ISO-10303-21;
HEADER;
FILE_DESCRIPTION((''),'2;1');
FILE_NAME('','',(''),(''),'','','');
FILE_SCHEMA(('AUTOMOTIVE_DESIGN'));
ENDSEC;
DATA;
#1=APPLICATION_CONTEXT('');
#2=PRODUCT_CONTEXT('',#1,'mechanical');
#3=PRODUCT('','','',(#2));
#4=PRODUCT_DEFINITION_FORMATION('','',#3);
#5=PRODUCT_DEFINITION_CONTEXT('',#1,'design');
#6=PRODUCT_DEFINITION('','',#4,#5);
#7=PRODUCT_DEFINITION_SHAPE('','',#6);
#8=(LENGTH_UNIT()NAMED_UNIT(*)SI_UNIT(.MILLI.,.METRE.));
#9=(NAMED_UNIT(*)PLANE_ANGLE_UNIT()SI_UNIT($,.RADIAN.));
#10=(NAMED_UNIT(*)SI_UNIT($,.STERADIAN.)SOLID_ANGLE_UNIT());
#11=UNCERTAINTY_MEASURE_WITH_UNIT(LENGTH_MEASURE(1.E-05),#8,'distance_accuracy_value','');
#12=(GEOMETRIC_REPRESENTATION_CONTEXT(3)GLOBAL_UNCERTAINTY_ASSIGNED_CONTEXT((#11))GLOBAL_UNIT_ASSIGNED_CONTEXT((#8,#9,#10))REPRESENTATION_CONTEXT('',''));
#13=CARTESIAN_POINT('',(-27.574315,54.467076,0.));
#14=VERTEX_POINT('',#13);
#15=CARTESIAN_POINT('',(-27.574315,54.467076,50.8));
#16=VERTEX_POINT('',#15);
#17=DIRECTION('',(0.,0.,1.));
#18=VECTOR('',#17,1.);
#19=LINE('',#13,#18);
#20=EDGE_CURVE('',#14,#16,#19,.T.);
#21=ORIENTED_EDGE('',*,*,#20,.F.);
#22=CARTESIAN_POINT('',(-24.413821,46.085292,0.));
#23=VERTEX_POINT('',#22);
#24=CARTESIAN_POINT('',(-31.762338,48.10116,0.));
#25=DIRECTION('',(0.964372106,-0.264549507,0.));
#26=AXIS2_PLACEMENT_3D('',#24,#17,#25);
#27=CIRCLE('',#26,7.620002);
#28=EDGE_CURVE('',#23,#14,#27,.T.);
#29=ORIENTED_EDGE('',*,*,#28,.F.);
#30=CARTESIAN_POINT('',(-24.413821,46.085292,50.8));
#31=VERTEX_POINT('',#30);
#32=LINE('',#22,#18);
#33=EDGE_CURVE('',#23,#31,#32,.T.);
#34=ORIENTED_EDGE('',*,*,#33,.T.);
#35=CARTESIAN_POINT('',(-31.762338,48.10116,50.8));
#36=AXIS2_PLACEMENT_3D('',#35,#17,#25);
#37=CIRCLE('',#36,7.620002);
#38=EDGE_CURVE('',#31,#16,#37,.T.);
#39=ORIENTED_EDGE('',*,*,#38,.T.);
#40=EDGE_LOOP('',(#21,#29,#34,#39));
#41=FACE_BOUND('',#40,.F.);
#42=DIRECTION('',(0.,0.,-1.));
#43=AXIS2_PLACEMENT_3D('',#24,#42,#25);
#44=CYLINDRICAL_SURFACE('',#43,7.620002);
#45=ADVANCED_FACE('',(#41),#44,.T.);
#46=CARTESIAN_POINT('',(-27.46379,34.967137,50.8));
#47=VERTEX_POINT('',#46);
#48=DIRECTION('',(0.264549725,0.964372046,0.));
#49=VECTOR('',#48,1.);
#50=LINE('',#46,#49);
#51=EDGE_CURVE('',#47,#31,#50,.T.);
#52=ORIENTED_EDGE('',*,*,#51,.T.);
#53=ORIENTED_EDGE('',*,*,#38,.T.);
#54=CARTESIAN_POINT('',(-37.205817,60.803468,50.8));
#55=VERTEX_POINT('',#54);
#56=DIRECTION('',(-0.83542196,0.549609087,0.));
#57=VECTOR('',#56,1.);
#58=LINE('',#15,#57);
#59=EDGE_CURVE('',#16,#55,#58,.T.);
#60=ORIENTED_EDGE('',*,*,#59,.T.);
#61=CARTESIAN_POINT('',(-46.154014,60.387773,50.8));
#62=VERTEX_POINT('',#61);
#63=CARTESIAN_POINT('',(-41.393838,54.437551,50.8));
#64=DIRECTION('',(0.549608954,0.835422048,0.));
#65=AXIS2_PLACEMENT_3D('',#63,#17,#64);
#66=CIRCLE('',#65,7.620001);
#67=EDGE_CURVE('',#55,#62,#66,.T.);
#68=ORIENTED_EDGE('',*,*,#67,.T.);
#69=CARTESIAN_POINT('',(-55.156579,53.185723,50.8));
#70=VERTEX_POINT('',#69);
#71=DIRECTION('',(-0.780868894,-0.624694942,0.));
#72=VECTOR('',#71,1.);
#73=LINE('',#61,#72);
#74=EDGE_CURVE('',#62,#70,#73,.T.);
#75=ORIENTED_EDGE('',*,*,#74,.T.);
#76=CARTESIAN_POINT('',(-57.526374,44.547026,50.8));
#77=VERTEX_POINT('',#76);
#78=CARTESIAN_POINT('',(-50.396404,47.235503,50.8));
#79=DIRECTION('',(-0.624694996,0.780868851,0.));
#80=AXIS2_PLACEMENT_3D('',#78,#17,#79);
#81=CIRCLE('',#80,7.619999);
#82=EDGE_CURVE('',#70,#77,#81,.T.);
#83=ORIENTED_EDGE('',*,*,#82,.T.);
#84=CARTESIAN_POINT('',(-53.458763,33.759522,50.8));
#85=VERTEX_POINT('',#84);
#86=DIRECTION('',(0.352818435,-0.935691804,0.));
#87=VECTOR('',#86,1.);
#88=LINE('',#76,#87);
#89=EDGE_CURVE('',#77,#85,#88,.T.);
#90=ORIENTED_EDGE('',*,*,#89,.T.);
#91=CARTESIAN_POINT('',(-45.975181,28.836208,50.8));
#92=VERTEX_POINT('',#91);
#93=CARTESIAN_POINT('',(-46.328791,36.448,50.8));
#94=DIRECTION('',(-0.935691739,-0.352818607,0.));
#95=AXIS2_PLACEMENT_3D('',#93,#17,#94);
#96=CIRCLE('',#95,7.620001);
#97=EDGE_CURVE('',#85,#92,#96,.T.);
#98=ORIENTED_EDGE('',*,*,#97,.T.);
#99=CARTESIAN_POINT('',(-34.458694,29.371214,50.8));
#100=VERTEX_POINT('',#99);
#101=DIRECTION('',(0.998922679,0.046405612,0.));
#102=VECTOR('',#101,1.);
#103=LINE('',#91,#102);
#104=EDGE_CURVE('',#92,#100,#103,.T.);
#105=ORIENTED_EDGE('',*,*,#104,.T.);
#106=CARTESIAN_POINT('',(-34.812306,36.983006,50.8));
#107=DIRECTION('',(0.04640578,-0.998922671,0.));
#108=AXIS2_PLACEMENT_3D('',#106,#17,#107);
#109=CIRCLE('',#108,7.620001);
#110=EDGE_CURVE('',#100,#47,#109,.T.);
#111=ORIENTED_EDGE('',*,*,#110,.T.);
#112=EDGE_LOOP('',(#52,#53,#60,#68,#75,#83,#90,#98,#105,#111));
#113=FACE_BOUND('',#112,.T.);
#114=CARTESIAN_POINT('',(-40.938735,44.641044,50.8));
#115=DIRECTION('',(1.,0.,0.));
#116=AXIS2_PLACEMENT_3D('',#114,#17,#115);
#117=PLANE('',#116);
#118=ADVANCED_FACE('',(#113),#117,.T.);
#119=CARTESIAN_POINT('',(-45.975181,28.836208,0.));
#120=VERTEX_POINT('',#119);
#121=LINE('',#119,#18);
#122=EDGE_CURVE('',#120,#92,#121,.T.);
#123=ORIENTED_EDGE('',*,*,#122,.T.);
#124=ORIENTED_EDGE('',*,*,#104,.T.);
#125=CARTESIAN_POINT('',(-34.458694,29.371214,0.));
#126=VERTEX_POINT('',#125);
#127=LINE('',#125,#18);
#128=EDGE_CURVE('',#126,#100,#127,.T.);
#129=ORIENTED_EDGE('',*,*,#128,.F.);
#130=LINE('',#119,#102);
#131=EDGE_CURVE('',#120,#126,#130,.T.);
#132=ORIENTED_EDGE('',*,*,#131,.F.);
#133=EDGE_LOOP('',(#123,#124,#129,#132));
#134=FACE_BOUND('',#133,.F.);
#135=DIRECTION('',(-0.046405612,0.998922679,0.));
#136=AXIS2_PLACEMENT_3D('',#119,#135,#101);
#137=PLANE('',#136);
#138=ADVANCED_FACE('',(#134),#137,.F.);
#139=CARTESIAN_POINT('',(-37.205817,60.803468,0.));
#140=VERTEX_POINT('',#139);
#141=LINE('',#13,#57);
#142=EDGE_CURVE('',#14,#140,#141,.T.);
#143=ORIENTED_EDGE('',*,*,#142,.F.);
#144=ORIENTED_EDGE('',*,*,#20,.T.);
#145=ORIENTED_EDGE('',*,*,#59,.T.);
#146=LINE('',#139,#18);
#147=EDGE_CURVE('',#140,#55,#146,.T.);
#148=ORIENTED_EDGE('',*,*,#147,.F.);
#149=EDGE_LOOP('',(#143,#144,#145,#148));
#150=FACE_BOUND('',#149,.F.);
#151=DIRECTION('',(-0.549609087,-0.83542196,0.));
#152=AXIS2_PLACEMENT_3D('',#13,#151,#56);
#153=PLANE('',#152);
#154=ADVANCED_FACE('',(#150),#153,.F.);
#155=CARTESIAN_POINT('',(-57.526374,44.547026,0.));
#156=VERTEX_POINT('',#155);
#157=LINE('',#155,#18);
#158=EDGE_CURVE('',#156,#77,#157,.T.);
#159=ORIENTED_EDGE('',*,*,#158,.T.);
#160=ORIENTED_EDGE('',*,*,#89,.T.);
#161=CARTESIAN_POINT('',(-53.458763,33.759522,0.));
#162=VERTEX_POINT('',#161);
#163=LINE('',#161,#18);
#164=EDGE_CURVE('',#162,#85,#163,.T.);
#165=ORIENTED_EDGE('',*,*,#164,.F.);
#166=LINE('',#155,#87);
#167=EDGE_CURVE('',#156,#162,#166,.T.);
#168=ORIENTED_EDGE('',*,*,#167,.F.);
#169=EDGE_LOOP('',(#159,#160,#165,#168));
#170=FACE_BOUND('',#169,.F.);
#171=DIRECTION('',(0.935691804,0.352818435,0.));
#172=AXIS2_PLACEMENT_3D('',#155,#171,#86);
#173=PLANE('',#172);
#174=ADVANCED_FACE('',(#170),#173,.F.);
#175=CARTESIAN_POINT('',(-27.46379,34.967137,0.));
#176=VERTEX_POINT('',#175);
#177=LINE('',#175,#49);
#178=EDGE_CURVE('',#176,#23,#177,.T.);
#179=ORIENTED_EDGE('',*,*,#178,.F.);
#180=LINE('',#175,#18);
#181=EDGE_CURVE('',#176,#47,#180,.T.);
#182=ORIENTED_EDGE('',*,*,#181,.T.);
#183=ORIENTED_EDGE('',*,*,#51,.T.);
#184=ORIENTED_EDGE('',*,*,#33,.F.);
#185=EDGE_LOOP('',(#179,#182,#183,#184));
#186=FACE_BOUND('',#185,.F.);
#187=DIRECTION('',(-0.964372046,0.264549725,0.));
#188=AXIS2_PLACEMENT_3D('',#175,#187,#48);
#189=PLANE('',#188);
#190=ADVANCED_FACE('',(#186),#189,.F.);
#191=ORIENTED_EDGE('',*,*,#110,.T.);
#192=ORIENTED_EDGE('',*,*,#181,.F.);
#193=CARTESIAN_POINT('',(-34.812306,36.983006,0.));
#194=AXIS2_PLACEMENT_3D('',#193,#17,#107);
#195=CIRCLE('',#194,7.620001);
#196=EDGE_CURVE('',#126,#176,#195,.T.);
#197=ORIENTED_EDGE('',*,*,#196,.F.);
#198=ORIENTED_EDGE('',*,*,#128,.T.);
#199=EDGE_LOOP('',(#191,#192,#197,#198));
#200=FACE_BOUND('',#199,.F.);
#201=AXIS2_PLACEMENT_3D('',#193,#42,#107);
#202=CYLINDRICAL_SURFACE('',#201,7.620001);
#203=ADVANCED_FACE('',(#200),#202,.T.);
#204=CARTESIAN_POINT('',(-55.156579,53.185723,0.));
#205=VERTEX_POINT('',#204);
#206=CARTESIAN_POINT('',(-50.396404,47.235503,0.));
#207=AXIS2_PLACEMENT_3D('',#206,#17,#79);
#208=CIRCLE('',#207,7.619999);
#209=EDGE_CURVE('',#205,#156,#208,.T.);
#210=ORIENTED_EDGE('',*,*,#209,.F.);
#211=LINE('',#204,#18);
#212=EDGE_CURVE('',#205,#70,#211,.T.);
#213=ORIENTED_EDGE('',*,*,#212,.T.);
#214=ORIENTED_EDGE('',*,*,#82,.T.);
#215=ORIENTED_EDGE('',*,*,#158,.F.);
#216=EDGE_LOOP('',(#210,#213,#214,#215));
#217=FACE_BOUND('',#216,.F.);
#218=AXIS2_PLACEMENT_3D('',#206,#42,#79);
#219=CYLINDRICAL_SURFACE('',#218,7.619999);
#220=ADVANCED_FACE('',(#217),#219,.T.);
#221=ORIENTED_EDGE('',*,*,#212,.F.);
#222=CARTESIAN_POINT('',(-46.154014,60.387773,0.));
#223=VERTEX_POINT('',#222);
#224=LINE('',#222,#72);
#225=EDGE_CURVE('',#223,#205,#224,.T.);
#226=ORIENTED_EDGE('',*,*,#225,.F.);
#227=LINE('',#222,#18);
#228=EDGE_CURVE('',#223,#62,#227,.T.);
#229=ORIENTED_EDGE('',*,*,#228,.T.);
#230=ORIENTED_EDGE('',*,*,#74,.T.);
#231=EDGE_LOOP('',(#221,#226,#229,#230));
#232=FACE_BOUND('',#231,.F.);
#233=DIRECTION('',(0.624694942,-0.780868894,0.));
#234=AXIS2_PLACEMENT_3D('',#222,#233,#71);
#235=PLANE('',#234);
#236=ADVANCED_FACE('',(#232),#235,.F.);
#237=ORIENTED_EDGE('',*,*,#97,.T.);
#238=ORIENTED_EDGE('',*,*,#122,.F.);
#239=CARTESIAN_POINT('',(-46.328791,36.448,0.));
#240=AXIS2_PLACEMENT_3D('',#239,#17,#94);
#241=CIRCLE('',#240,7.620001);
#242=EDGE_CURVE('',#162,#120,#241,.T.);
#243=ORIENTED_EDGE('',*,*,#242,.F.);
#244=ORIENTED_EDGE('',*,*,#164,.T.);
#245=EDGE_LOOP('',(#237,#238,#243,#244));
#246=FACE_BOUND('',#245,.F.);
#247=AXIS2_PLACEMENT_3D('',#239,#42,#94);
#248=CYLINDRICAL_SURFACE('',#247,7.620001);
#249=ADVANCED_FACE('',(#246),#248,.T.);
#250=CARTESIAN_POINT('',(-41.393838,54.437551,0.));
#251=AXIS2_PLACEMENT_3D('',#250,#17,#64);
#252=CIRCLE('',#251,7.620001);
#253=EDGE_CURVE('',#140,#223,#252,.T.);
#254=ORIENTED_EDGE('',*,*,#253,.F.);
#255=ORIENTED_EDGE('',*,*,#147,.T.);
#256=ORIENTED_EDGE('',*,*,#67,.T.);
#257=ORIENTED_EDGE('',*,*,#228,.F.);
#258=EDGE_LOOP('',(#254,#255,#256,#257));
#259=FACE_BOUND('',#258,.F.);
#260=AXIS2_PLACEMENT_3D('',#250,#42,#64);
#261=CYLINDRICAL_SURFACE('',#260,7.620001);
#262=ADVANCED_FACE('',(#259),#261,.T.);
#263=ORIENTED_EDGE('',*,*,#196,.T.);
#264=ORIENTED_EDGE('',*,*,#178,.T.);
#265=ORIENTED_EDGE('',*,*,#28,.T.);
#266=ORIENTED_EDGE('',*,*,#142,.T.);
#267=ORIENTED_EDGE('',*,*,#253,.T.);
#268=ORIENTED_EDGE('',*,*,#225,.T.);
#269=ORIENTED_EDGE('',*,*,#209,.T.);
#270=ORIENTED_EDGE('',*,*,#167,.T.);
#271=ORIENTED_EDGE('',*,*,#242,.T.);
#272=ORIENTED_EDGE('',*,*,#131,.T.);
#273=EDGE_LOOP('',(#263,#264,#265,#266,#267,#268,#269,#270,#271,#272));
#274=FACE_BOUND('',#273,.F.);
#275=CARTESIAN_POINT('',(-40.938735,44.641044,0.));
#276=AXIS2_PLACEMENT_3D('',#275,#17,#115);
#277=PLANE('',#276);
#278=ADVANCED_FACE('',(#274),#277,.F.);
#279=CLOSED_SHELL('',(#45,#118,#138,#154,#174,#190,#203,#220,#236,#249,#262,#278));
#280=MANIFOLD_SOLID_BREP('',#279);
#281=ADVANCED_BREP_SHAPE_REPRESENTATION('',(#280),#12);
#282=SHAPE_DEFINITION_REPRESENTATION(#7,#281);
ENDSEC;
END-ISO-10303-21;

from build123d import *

# Parameters (mm, degrees)
F1_DEPTH = 50.8


with BuildPart() as f1:
    # F0 (on Top) → F1 (new body)
    with BuildSketch(Plane.XY):
        with BuildLine():
            Line((-45.975181, 28.836208), (-34.458694, 29.371214))
            ThreePointArc((-34.458694, 29.371214), (-30.05213, 31.032784), (-27.46379, 34.967137))
            Line((-27.46379, 34.967137), (-24.413821, 46.085292))
            ThreePointArc((-24.413821, 46.085292), (-24.632365, 50.789637), (-27.574315, 54.467076))
            Line((-27.574315, 54.467076), (-37.205817, 60.803468))
            ThreePointArc((-37.205817, 60.803468), (-41.747449, 62.049343), (-46.154014, 60.387773))
            Line((-46.154014, 60.387773), (-55.156579, 53.185723))
            ThreePointArc((-55.156579, 53.185723), (-57.744918, 49.251371), (-57.526374, 44.547026))
            Line((-57.526374, 44.547026), (-53.458763, 33.759522))
            ThreePointArc((-53.458763, 33.759522), (-50.516813, 30.082084), (-45.975181, 28.836208))
        make_face()
    extrude(amount=F1_DEPTH)


solid = f1.part
